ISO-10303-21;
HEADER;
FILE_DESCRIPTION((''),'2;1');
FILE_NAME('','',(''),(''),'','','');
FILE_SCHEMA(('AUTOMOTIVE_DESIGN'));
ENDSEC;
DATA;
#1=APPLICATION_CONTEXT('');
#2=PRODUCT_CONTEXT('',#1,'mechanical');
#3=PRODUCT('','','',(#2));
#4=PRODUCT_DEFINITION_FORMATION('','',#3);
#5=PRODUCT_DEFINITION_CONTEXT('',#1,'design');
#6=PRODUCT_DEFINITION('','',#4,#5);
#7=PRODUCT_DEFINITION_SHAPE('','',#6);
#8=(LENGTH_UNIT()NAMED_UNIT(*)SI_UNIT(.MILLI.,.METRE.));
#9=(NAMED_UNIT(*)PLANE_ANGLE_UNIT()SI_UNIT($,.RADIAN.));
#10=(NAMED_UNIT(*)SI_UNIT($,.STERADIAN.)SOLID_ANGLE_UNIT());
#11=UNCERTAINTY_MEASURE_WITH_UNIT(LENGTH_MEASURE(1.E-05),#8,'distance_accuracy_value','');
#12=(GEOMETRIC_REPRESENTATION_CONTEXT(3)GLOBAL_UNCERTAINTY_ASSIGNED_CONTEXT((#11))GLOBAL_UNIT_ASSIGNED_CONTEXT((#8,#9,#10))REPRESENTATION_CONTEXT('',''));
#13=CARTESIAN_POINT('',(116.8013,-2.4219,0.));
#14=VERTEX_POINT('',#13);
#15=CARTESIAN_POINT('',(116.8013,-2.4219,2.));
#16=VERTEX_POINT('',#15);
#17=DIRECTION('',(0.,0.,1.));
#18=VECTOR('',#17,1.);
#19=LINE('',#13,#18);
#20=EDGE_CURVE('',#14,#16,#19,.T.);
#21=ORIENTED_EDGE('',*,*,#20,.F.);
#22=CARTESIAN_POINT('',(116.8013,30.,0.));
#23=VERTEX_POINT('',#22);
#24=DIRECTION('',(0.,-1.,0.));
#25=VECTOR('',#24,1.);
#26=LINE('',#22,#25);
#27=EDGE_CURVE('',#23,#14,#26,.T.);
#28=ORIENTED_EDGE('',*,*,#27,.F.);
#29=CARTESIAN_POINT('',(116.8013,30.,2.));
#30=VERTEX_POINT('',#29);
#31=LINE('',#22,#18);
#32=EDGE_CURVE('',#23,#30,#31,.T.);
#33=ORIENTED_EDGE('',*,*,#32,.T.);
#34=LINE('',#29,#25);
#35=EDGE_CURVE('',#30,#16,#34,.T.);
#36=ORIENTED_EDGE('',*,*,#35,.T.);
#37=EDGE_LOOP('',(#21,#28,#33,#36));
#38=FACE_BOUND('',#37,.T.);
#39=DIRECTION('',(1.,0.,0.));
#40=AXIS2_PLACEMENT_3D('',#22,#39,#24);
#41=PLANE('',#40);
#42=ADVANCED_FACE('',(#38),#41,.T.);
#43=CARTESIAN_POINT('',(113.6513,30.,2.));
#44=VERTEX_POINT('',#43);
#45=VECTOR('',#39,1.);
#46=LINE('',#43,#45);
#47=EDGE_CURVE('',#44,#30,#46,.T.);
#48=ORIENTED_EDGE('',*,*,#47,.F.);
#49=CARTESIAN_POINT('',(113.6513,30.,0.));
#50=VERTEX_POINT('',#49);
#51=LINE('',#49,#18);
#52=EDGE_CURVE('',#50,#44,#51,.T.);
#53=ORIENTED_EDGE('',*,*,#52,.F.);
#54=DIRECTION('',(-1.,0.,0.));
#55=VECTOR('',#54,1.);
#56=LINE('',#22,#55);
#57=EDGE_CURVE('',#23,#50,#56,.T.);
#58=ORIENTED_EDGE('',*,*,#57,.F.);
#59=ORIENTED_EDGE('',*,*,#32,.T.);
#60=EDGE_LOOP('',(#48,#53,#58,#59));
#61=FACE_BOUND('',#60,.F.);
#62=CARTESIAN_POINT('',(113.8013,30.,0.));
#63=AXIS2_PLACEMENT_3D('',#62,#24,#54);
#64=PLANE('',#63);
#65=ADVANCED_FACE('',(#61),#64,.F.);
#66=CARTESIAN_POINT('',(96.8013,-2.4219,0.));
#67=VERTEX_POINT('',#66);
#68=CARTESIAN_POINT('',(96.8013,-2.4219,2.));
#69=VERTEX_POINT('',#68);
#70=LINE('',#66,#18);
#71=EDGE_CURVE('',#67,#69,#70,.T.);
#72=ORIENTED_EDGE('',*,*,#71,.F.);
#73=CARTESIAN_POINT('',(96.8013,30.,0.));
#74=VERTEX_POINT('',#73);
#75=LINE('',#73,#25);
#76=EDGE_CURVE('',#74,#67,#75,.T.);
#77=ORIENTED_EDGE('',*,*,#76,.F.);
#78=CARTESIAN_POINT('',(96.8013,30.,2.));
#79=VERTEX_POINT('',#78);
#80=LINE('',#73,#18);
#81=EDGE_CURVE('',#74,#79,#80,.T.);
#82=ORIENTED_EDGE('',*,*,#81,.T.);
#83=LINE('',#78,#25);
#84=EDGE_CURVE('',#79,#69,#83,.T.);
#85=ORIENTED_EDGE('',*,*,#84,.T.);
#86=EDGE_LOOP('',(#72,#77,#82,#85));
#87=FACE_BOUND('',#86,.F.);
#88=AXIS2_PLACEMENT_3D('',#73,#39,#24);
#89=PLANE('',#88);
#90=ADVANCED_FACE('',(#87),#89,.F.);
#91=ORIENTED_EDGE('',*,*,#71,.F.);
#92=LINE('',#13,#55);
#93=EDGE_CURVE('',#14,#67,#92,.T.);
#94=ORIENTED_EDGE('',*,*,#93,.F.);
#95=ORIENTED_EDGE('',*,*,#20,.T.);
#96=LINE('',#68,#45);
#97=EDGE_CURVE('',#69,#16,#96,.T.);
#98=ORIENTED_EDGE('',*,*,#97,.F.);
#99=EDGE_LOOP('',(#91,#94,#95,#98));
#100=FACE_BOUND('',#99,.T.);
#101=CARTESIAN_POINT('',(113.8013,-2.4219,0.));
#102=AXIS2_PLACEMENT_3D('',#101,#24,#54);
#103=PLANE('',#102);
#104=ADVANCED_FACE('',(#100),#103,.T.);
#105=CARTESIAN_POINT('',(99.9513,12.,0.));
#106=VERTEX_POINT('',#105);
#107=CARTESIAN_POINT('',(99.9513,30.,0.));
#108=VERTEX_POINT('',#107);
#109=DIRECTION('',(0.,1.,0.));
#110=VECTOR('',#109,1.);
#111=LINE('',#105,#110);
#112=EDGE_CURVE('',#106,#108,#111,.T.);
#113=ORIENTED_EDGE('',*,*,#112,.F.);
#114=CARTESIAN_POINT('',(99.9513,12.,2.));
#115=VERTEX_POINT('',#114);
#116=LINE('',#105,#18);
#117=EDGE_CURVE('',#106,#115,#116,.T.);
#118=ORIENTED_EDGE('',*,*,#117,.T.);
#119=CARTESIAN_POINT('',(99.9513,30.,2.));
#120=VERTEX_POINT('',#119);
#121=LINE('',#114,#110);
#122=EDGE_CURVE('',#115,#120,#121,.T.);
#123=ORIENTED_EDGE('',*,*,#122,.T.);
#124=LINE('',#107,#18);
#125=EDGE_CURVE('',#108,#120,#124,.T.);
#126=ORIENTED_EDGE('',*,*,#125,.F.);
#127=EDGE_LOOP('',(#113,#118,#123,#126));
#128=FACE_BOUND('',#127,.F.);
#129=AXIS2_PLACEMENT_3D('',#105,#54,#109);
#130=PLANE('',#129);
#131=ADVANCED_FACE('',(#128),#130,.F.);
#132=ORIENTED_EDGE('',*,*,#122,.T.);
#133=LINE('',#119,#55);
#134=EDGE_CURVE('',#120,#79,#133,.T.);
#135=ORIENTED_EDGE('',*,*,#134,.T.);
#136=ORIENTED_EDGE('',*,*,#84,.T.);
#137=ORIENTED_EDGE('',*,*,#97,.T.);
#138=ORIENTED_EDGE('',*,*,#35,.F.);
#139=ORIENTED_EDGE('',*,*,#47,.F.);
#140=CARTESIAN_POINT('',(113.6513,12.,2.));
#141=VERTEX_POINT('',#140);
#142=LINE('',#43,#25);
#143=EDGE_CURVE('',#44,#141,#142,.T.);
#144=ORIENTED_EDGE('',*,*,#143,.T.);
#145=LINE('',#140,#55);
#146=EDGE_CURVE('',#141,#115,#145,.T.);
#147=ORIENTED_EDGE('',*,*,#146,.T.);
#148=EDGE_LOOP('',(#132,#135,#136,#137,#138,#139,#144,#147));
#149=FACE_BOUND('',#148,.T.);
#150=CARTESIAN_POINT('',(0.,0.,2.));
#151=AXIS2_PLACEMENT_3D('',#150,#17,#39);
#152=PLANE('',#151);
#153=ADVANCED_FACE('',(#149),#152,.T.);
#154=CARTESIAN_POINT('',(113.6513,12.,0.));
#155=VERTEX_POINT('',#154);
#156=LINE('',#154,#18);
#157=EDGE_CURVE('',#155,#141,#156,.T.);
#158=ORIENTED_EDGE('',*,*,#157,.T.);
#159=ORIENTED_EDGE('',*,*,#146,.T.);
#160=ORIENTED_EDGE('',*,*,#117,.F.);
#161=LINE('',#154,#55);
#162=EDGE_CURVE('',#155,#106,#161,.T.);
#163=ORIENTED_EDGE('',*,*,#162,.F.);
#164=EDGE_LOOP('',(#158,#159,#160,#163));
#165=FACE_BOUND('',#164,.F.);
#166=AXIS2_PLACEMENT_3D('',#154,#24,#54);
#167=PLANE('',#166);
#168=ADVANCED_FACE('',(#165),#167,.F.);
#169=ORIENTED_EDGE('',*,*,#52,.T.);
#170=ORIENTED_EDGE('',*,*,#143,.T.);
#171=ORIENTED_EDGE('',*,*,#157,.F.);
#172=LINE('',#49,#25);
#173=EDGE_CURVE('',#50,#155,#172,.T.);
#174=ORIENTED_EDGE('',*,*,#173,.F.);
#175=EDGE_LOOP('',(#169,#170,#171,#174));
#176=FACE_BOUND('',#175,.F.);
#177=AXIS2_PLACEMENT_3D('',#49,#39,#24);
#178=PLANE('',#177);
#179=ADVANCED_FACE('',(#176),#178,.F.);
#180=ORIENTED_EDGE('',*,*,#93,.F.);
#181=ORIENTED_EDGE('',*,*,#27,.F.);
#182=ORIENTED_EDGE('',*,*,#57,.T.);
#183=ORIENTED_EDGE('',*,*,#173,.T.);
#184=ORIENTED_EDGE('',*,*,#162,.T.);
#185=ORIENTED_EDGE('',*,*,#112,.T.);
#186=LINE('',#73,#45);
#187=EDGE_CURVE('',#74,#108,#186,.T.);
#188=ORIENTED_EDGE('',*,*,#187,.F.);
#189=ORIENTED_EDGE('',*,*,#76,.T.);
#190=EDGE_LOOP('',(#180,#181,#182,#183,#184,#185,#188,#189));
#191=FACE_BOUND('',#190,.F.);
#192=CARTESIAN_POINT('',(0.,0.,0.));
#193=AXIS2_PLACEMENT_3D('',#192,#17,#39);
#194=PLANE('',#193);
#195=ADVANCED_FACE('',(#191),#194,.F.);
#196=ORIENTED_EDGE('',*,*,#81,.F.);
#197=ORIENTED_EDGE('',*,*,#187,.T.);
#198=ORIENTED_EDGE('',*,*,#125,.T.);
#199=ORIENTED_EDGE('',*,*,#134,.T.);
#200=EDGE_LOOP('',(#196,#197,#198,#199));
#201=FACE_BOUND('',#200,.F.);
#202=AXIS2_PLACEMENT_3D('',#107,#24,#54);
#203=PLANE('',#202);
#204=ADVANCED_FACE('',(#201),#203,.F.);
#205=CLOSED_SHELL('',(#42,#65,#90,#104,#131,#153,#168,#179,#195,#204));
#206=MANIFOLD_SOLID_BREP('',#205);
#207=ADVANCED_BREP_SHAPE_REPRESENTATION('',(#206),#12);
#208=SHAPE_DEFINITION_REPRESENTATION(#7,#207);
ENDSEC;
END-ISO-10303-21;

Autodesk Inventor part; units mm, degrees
ref_plane "YZ Plane" through (0, 0, 0) normal (1, 0, 0) x (0, 1, 0)
ref_plane "XZ Plane" through (0, 0, 0) normal (0, 1, 0) x (-1, 0, 0)
ref_plane "XY Plane" through (0, 0, 0) normal (0, 0, 1) x (1, 0, 0)
sketch "Sketch1" plane through (0, 0, 0) normal (0, 0, 1) x (1, 0, 0)
  line L0 (113.6513, 30) -> (113.6513, 12)
  line L1 (113.6513, 12) -> (99.9513, 12)
  line L2 (99.9513, 12) -> (99.9513, 30)
  line L3 (99.9513, 30) -> (99.8013, 30)
  line L4 (99.8013, -3.4599) -> (99.8013, 30)
  line L5 (113.8013, -3.4599) -> (99.8013, -3.4599)
  line L6 (113.8013, 30) -> (113.8013, -3.4599)
  line L7 (113.8013, 30) -> (113.6513, 30)
  line L8 (96.8013, 30) -> (96.8013, -2.4219)
  line L9 (116.8013, 30) -> (116.8013, -2.4219)
  line L10 (116.8013, -2.4219) -> (96.8013, -2.4219)
  line L11 (96.8013, 30) -> (99.8013, 30)
  line L12 (113.8013, 30) -> (116.8013, 30)
  point P0 (0, 0)
  point P1 (99.8013, -2.4219)
  point P2 (113.8013, -2.4219)
extrude "Extrusion1" add sketch "Sketch1" along normal blind 2 contours L7 L6 L10 L4 L3 L2 L1 L0 | L12 L9 L10 L6 | L10 L8 L11 L4
equation "\"BendRadius\" = Thickness"
equation "\"BendReliefWidth\" = Thickness"
equation "\"BendReliefDepth\" = 0.5 * Thickness"
equation "\"CornerReliefSize\" = 4 * Thickness"
equation "\"MinimumRemnant\" = 2 * Thickness"
equation "\"TransitionRadius\" = BendRadius"
equation "\"JacobiRadiusSize\" = BendRadius"
equation "\"GapSize\" = Thickness"
equation "\"Thickness\" = 2"
properties part number "BackWheelMotorMountSpacer" material "Steel, Mild"
